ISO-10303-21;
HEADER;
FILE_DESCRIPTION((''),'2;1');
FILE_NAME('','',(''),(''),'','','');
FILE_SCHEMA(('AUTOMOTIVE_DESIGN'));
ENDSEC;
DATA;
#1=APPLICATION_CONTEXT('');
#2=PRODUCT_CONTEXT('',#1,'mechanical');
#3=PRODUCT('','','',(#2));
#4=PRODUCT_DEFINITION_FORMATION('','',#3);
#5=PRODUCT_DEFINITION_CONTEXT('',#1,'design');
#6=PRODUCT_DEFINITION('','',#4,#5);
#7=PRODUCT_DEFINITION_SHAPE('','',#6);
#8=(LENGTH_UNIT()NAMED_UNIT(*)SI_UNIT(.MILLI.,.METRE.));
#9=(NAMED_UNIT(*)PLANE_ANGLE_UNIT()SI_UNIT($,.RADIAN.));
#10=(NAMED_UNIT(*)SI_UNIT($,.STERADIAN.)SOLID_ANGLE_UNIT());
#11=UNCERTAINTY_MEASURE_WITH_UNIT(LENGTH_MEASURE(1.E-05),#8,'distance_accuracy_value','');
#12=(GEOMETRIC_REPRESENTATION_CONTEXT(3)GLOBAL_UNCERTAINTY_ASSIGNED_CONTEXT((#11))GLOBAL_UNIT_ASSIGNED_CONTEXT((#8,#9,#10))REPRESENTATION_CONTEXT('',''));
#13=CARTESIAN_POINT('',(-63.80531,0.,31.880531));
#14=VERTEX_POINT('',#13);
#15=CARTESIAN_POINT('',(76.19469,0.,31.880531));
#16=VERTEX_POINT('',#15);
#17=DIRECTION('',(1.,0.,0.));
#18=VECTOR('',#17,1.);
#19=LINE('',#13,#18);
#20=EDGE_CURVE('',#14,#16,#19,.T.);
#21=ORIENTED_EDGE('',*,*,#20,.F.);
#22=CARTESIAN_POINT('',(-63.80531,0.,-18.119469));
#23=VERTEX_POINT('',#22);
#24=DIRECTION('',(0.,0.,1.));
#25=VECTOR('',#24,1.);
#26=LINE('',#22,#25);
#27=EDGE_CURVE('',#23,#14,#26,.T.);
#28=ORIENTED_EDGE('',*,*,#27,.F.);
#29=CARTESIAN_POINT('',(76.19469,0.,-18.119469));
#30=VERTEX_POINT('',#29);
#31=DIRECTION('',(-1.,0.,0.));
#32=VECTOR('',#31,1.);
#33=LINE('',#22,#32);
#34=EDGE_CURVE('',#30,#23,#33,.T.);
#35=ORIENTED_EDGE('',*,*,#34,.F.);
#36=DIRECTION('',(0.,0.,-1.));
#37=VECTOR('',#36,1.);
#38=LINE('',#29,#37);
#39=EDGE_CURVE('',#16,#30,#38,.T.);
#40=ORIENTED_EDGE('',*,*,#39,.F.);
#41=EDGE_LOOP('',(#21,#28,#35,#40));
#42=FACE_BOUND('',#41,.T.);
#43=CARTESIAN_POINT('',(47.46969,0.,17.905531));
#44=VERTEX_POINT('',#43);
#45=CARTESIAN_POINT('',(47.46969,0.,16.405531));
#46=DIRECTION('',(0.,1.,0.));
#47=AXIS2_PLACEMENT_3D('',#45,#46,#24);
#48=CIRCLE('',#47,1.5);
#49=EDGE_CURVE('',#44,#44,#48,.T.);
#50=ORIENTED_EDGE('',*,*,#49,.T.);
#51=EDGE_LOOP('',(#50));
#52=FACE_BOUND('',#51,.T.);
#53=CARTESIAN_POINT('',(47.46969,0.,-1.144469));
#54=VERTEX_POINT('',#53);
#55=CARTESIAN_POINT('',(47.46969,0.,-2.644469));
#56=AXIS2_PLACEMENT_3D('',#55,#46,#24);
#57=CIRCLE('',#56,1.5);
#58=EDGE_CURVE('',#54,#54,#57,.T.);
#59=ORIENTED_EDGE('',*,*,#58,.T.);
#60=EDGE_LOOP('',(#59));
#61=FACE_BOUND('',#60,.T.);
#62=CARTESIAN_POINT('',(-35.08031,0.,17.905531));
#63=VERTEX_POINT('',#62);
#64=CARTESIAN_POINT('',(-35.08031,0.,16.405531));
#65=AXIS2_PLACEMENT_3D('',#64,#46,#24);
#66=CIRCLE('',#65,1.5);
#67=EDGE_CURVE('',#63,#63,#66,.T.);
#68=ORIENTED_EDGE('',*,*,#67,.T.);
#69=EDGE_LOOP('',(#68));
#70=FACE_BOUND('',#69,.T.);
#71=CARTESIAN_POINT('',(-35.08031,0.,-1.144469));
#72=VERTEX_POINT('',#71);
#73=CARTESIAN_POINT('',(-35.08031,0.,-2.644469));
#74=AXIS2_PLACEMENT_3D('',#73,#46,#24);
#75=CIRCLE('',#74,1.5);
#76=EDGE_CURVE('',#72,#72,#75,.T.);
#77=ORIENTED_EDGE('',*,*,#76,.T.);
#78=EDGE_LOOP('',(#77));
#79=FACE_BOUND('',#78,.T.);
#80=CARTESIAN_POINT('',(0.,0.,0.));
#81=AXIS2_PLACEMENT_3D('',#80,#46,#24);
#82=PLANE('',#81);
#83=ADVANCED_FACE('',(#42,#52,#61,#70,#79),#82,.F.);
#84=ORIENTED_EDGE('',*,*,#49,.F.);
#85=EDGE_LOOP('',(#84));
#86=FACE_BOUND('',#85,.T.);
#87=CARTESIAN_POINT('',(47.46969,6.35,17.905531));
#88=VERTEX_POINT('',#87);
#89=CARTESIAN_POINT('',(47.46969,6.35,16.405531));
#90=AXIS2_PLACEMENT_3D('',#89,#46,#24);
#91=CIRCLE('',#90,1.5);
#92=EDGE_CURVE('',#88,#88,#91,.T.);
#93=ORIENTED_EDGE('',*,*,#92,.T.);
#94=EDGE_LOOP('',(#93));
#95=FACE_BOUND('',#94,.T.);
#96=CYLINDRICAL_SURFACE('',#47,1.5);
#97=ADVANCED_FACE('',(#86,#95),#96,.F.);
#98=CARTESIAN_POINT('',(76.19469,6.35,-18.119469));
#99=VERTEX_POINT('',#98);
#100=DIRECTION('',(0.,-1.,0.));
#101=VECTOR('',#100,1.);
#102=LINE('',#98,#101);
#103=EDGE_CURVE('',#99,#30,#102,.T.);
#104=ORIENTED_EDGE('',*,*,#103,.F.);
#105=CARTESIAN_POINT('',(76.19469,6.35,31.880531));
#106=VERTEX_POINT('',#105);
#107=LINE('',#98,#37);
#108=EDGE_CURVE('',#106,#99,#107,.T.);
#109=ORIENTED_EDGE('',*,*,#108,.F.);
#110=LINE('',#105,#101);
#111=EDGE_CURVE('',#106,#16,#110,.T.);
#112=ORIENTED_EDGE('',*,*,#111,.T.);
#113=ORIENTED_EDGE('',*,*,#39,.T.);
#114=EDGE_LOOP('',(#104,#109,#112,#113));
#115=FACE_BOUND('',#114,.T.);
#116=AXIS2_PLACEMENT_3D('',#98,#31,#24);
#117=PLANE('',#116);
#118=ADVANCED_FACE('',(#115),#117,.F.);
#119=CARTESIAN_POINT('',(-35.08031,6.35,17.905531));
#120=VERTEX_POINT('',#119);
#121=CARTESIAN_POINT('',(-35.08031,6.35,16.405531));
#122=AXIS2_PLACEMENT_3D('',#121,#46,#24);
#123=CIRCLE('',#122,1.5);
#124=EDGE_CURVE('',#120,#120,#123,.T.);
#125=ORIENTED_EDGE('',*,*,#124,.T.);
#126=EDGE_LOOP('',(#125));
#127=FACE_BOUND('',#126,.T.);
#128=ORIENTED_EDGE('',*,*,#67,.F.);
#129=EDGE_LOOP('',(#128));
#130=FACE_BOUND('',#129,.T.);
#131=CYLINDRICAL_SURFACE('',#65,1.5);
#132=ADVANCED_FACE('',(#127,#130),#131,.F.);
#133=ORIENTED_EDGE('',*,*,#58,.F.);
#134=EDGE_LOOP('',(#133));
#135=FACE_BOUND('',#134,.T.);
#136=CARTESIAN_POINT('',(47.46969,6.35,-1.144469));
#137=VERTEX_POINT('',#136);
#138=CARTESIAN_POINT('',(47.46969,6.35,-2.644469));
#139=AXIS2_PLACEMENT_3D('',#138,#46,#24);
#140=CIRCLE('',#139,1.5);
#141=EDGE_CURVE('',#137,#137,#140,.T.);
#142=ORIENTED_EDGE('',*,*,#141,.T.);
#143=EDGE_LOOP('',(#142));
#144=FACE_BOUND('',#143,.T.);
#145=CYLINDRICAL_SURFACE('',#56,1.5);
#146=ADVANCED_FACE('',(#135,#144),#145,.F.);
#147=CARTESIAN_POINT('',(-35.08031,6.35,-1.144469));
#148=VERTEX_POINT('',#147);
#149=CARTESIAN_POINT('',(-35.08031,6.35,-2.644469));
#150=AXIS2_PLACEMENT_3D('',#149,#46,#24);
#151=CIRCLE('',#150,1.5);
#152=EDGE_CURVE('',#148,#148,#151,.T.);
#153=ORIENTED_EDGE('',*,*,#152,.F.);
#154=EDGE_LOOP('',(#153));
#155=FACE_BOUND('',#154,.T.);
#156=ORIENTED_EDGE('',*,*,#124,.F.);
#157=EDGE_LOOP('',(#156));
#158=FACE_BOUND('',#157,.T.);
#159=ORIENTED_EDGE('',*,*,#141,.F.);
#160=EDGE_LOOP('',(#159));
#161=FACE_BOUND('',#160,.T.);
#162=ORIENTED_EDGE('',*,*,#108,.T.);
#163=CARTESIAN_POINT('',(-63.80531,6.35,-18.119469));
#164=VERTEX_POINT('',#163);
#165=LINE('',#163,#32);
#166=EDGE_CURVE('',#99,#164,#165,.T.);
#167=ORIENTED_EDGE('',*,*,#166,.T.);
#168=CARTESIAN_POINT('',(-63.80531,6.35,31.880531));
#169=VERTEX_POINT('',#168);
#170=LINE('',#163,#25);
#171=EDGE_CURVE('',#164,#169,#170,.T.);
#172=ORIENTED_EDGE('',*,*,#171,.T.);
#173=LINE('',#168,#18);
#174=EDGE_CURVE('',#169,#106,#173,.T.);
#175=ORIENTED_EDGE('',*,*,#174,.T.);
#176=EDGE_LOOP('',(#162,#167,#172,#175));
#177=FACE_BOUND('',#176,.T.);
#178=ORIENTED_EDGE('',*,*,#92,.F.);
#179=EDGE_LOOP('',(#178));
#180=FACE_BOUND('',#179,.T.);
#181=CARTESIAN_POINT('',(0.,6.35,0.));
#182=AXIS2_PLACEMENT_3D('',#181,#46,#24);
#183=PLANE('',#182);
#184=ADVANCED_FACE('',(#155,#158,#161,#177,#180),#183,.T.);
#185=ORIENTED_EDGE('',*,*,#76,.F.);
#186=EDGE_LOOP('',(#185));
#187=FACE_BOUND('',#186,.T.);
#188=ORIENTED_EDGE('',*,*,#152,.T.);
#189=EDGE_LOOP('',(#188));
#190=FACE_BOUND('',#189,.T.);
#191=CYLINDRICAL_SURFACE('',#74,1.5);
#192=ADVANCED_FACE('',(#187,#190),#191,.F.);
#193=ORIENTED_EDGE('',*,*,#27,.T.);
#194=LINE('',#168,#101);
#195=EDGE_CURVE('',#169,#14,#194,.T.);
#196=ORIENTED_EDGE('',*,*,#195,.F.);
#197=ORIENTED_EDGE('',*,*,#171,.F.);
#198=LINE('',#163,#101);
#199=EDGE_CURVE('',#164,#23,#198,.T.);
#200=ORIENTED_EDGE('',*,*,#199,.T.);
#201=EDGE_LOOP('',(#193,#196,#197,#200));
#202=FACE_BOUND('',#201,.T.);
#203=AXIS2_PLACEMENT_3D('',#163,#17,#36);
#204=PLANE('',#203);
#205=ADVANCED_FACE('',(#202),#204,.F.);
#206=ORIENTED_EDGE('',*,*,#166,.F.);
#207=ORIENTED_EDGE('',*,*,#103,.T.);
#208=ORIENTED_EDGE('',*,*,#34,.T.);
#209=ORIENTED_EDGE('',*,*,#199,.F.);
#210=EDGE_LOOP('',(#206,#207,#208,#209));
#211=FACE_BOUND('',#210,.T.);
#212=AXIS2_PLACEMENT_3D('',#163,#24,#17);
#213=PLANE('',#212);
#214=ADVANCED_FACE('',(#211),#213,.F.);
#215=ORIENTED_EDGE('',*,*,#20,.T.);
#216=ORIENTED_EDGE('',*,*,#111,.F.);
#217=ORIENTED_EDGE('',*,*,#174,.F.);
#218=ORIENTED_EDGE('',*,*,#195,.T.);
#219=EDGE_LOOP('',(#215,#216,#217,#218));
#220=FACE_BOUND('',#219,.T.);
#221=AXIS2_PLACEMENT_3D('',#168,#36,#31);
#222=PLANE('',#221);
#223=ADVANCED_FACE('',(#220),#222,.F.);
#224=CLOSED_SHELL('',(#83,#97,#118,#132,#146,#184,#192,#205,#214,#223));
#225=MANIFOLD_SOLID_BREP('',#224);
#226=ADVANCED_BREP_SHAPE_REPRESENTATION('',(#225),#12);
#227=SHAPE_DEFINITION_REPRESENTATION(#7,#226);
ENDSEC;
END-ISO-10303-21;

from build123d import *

# Parameters (mm, degrees)
SKETCH1_W           = 140
SKETCH1_H           = 50
BOSS_EXTRUDE1_DEPTH = 6.35
SKETCH2_R           = 1.5
CUT_EXTRUDE1_DEPTH  = 6.35


with BuildPart() as part:
    # Sketch1 → Boss-Extrude1 (new body)
    with BuildSketch(Plane(origin=(0, 0, 0), x_dir=(1, 0, 0), z_dir=(0, 1, 0))):
        with Locations((6.194690265, -6.880530973)):
            Rectangle(SKETCH1_W, SKETCH1_H)
    extrude(amount=BOSS_EXTRUDE1_DEPTH)

    # Sketch2 → Cut-Extrude1 (cut)
    with BuildSketch(Plane(origin=(0, 6.35, 0), x_dir=(1, 0, 0), z_dir=(0, 1, 0))):
        with Locations(Location((-35.080309735, 2.644469027, 0), (0, 0, 270))):
            Circle(SKETCH2_R)
        with Locations(Location((-35.080309735, -16.405530973, 0), (0, 0, 270))):
            Circle(SKETCH2_R)
        with Locations(Location((47.469690265, -16.405530973, 0), (0, 0, 270))):
            Circle(SKETCH2_R)
        with Locations(Location((47.469690265, 2.644469027, 0), (0, 0, 270))):
            Circle(SKETCH2_R)
    extrude(amount=-CUT_EXTRUDE1_DEPTH, mode=Mode.SUBTRACT)


solid = part.part
